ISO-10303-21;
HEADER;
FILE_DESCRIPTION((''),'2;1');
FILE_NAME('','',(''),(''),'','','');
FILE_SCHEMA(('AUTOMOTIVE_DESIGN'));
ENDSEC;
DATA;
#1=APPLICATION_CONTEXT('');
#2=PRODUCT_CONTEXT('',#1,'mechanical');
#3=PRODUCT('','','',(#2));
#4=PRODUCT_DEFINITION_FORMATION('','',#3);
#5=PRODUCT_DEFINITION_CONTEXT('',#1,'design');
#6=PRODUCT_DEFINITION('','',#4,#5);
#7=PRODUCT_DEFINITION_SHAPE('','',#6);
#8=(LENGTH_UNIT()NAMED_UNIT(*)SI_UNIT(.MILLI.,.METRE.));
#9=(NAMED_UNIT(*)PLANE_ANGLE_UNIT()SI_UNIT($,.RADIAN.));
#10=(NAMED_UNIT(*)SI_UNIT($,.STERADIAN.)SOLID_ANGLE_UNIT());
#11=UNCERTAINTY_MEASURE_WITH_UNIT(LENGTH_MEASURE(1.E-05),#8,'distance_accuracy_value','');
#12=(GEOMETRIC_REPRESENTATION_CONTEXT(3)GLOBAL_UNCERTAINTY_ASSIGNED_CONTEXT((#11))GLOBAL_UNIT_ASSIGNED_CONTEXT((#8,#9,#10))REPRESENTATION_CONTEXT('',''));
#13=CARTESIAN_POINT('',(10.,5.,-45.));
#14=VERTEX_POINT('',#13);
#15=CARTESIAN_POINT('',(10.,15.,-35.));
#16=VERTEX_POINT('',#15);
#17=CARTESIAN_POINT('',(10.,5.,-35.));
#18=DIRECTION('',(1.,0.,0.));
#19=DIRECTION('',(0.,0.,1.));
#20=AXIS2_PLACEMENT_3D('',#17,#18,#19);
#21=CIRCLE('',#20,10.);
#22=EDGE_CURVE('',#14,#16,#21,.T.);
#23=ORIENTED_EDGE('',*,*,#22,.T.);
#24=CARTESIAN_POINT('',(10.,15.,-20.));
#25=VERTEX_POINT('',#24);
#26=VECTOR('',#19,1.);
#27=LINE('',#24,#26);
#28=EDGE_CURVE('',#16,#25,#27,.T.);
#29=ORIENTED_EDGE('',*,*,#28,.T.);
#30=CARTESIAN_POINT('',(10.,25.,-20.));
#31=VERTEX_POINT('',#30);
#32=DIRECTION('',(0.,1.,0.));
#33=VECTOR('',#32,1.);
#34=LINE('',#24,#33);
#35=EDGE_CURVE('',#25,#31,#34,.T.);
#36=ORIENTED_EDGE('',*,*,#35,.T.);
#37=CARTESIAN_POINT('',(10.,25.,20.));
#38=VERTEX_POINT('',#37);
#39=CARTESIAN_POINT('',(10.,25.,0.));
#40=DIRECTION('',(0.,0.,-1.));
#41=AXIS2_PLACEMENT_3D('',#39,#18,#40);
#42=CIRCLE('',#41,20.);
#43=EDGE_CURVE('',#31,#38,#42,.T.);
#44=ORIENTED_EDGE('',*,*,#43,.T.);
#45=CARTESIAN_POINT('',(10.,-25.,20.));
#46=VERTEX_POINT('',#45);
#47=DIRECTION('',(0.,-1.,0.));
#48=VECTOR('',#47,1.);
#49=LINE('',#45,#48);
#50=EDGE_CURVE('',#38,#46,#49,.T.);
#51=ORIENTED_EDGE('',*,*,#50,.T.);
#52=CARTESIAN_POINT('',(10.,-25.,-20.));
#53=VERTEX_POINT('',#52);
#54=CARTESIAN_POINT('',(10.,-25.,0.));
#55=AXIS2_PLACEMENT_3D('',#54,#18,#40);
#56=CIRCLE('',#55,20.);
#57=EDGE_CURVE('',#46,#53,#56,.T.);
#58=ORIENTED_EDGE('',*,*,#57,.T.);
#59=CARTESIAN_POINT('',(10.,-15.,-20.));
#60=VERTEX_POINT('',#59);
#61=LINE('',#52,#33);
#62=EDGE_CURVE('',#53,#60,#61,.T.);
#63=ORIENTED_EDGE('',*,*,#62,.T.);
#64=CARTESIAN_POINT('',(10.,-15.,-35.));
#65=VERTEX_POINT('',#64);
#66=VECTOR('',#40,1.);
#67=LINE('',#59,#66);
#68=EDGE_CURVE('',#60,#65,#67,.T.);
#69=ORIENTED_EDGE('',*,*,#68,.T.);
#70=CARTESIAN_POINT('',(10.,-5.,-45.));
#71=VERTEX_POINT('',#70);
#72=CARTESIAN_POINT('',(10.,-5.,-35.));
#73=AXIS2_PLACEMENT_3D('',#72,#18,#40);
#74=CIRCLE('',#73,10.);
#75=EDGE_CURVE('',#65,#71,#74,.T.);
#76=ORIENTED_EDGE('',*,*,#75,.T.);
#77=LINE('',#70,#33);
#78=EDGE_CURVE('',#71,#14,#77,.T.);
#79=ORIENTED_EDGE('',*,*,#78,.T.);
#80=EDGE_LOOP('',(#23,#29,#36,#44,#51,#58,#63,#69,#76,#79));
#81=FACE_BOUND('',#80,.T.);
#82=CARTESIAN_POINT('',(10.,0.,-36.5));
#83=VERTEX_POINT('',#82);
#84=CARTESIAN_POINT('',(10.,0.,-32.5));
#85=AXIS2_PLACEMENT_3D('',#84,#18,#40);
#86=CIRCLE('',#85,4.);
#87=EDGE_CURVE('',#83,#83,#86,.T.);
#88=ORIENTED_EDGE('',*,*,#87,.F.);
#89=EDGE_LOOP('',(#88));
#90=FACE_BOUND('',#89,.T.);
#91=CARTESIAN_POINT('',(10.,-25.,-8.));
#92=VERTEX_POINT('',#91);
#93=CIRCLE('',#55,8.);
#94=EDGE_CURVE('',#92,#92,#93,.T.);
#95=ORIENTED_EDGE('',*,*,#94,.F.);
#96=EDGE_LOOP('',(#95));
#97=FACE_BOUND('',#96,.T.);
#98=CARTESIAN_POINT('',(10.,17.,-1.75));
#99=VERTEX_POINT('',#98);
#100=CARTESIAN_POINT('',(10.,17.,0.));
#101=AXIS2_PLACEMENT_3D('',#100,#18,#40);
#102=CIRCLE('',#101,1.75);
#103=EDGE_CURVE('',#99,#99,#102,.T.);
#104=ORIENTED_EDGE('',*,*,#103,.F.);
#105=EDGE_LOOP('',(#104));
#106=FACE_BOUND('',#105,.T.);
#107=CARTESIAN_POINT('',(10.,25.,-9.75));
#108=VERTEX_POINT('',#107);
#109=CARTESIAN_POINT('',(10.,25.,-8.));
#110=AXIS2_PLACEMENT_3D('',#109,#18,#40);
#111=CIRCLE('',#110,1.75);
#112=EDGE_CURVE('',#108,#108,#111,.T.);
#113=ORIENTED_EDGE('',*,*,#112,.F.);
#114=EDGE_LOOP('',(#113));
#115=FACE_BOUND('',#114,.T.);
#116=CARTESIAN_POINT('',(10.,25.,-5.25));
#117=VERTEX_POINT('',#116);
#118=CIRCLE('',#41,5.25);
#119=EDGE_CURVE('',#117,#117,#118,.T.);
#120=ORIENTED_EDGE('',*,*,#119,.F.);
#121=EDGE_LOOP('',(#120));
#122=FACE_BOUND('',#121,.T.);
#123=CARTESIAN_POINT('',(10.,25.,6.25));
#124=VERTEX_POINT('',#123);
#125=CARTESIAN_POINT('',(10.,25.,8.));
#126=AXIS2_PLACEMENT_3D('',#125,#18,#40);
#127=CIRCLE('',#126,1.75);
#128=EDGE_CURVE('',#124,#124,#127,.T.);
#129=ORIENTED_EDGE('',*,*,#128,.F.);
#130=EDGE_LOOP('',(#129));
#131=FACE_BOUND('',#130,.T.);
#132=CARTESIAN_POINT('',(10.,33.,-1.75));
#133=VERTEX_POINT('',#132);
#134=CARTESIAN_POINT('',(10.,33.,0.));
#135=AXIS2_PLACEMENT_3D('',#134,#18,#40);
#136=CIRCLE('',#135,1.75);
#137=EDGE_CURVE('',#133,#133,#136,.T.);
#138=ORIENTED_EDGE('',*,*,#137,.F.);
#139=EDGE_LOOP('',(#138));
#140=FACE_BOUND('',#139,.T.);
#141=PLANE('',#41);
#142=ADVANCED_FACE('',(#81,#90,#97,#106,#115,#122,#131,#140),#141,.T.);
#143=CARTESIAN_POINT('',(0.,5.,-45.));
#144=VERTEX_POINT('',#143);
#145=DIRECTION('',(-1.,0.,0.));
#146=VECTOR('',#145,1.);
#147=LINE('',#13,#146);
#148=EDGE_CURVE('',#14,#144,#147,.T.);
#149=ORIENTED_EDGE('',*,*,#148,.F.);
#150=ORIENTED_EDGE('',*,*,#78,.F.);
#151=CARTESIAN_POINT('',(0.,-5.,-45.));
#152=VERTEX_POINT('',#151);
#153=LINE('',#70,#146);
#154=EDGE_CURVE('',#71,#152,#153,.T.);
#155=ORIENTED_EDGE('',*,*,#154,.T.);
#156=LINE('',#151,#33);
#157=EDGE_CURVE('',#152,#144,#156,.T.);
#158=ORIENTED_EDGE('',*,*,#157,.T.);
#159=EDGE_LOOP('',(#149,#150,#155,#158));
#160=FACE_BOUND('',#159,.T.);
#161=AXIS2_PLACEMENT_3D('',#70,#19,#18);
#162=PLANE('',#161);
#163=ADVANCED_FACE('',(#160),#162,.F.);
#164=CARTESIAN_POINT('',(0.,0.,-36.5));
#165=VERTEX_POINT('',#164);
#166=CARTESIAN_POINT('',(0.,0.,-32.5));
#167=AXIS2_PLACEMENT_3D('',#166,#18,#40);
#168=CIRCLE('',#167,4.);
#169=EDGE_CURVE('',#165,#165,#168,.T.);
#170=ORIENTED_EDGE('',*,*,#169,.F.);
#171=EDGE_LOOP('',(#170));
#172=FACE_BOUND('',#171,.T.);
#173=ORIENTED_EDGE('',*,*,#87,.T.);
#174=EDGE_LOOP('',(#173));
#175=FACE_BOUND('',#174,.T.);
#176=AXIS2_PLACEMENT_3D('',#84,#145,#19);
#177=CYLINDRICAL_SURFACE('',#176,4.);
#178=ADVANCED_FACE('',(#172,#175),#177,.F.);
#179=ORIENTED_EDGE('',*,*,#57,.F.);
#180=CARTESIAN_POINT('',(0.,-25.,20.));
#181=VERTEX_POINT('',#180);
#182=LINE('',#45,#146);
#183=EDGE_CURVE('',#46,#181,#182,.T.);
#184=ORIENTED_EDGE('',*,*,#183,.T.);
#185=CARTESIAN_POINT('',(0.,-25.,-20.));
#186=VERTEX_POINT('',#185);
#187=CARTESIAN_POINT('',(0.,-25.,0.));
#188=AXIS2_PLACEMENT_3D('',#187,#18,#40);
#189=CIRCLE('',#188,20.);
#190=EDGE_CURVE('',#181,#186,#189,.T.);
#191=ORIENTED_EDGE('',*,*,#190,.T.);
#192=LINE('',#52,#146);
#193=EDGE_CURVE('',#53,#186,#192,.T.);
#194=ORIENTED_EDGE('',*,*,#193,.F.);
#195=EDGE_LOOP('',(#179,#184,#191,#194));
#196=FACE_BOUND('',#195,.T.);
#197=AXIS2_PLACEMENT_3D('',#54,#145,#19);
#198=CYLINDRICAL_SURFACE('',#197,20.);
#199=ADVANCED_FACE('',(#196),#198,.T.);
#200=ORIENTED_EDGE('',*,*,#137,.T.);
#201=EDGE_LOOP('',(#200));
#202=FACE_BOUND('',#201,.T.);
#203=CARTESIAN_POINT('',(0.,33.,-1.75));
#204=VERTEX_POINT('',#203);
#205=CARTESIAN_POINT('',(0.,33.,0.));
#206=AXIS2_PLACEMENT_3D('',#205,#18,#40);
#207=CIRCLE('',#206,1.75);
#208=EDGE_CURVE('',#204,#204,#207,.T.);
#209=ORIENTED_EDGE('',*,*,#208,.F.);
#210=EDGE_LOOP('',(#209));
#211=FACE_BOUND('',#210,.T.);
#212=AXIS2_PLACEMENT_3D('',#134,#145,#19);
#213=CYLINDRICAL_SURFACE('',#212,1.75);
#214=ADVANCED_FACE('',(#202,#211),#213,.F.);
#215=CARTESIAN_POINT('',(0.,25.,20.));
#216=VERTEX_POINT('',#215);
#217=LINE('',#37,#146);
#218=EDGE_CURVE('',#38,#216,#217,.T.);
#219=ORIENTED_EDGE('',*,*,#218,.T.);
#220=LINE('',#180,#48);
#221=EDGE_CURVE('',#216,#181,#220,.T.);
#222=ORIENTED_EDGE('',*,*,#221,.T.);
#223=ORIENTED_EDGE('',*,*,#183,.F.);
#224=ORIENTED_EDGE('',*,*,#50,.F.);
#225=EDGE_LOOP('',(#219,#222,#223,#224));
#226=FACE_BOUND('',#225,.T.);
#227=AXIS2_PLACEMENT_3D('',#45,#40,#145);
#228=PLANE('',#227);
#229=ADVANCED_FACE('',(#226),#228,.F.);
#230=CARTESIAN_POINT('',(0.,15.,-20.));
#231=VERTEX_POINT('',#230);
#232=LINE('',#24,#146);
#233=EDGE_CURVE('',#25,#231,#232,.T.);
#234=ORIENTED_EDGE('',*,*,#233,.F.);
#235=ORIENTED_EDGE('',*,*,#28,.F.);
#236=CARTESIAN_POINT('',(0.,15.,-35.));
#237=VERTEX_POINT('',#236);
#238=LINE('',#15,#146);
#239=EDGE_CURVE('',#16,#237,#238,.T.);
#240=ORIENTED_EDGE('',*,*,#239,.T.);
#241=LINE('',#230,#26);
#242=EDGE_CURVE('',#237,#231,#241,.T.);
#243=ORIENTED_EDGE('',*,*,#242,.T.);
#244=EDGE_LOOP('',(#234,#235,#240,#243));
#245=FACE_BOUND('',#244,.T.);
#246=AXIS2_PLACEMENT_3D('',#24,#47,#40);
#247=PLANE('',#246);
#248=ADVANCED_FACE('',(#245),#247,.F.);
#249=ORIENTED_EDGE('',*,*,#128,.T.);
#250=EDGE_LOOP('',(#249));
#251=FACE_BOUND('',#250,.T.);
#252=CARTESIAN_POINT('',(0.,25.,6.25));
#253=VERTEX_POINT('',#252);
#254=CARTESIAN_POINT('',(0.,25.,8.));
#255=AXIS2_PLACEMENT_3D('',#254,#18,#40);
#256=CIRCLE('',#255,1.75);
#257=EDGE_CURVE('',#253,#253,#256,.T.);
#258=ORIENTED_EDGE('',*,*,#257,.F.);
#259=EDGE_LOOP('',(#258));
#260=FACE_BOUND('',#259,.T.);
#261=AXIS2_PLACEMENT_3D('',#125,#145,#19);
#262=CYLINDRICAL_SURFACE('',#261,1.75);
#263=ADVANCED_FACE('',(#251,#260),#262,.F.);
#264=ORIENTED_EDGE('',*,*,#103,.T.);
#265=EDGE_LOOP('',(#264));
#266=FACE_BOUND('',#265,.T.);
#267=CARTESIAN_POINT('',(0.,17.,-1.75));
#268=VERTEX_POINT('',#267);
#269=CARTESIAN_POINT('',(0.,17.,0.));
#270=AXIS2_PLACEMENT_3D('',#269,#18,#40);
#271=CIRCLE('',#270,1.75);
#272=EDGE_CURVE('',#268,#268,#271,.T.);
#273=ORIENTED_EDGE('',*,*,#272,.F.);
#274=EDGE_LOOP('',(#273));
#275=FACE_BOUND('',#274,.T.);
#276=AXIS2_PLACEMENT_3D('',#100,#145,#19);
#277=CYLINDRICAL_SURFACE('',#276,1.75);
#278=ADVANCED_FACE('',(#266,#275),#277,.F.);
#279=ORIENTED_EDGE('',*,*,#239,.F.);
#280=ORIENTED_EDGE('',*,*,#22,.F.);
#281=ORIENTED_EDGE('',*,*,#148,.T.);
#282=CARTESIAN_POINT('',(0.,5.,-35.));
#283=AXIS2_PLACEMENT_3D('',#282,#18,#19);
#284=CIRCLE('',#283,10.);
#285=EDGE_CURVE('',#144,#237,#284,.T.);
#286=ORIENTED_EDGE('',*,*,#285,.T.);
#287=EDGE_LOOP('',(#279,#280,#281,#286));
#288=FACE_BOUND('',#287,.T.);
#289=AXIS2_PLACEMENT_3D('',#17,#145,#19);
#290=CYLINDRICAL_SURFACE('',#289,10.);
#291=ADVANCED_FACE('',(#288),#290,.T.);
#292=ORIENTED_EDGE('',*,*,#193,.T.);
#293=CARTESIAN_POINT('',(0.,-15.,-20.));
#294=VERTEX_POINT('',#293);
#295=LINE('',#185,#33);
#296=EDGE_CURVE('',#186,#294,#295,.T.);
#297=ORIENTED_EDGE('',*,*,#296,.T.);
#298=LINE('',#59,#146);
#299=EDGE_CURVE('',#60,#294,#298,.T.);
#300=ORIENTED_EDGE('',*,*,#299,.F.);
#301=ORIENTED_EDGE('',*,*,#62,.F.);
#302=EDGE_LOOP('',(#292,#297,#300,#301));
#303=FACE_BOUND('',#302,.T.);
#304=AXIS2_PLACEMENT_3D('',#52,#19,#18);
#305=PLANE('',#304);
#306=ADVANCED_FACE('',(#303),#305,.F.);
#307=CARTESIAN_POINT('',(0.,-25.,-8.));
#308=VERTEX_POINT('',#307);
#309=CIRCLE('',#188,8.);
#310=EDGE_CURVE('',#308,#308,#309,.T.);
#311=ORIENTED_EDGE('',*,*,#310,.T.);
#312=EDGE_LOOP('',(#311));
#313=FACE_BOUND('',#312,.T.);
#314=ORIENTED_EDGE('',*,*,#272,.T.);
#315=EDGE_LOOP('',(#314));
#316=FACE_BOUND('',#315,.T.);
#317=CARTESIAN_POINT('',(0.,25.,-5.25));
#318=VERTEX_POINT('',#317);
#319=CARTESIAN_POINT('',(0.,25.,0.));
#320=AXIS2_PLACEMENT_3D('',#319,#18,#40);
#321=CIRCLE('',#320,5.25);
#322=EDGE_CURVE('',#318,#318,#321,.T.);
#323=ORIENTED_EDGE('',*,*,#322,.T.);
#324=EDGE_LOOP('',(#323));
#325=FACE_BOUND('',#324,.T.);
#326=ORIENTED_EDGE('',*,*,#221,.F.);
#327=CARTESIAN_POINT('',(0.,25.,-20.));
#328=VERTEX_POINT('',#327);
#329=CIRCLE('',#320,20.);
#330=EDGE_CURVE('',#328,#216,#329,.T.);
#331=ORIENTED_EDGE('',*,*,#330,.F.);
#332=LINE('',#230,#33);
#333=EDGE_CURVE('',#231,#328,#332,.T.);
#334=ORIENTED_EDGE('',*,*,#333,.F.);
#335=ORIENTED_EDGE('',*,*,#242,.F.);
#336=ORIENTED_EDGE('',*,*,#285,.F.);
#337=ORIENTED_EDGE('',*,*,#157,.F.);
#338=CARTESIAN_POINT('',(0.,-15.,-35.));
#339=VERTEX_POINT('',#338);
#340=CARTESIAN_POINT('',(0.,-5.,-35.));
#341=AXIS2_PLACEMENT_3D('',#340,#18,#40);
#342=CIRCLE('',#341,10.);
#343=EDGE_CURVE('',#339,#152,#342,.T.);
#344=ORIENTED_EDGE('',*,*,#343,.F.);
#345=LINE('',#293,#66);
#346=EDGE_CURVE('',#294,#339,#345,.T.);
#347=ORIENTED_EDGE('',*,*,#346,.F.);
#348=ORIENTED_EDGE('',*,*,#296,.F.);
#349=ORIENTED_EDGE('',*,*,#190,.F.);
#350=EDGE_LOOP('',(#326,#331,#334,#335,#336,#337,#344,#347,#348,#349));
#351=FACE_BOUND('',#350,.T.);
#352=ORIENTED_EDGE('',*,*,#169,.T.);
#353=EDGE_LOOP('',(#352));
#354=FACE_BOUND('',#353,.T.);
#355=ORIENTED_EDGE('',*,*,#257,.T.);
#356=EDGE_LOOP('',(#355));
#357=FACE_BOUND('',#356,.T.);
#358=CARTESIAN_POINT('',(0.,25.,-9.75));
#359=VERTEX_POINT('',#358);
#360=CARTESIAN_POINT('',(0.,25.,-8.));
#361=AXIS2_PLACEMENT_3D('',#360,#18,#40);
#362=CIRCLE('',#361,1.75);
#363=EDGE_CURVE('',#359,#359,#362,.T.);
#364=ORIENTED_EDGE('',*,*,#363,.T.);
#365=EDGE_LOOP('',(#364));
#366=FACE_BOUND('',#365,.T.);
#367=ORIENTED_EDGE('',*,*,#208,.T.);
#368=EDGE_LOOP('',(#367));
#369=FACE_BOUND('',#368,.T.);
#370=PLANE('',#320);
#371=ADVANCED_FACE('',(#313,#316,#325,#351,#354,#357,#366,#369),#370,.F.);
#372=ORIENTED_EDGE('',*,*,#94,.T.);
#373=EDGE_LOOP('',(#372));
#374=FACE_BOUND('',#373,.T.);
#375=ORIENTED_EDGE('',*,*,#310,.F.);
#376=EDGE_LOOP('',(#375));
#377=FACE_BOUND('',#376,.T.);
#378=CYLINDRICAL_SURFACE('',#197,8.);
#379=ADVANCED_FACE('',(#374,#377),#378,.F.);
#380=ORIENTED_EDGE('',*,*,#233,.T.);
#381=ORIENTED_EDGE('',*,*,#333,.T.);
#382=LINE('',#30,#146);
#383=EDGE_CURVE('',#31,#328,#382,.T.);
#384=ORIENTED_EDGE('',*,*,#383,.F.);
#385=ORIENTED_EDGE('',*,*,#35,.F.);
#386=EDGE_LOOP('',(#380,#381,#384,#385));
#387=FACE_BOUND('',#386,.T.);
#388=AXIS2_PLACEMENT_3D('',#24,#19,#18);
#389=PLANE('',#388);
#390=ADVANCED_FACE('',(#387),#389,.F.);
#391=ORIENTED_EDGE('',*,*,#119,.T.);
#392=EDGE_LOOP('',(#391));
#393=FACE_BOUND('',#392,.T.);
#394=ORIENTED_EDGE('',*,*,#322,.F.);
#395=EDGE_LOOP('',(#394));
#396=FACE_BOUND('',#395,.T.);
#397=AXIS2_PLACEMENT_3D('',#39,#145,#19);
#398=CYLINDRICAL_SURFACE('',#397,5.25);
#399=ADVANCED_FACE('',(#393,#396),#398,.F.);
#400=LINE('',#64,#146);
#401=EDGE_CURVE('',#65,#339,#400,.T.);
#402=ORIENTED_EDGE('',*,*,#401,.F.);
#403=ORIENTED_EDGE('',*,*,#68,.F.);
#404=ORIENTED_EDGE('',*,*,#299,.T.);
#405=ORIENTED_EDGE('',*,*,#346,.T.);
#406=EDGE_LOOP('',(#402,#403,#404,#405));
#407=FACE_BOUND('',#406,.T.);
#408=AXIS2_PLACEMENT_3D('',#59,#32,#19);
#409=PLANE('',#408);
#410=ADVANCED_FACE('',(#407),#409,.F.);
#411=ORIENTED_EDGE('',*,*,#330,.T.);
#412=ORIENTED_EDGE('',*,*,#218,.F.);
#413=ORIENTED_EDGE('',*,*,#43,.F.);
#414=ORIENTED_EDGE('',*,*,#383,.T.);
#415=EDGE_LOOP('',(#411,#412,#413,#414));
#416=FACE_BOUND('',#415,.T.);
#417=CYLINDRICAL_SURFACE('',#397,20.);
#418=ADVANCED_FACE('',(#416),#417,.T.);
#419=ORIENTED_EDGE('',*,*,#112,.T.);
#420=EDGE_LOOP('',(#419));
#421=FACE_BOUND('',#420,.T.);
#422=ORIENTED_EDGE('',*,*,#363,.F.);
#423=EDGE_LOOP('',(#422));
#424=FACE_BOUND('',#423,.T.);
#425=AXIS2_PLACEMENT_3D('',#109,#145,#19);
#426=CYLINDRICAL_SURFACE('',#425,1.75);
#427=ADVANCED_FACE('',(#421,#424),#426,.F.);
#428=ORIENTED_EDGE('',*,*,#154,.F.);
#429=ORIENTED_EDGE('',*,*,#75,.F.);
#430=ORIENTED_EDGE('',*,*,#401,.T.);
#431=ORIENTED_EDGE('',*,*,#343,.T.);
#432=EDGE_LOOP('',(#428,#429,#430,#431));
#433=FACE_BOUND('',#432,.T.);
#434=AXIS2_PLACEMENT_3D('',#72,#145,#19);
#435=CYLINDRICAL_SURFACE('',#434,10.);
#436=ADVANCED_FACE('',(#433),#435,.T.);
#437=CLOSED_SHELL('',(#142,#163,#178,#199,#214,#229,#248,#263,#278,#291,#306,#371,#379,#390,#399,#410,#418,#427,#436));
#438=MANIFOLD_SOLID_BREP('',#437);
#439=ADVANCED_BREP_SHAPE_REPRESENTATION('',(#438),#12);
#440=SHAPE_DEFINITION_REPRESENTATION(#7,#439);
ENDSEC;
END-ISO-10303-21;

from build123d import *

# Parameters (mm, degrees)
CROQUIS1_R              = 5.25
CROQUIS1_R_2            = 8
CROQUIS1_R_3            = 1.75
CROQUIS1_R_4            = 4
SALIENTE_EXTRUIR1_DEPTH = 10


with BuildPart() as part:
    # Croquis1 → Saliente-Extruir1 (new body)
    with BuildSketch(Plane(origin=(0, 0, 0), x_dir=(0, 0, -1), z_dir=(1, 0, 0))):
        with BuildLine():
            Line((20, 15), (20, 25))
            ThreePointArc((20, 25), (0, 45), (-20, 25))
            Line((-20, 25), (-20, -25))
            ThreePointArc((-20, -25), (0, -45), (20, -25))
            Line((20, -25), (20, -15))
            Line((20, -15), (35, -15))
            ThreePointArc((35, -15), (42.071067812, -12.071067812), (45, -5))
            Line((45, -5), (45, 5))
            ThreePointArc((45, 5), (42.071067812, 12.071067812), (35, 15))
            Line((35, 15), (20, 15))
        make_face()
        with Locations((0, 25)):
            Circle(CROQUIS1_R, mode=Mode.SUBTRACT)
        with Locations((0, -25)):
            Circle(CROQUIS1_R_2, mode=Mode.SUBTRACT)
        with Locations((0, 33)):
            Circle(CROQUIS1_R_3, mode=Mode.SUBTRACT)
        with Locations((8, 25)):
            Circle(CROQUIS1_R_3, mode=Mode.SUBTRACT)
        with Locations((0, 17)):
            Circle(CROQUIS1_R_3, mode=Mode.SUBTRACT)
        with Locations((-8, 25)):
            Circle(CROQUIS1_R_3, mode=Mode.SUBTRACT)
        with Locations((32.5, 0)):
            Circle(CROQUIS1_R_4, mode=Mode.SUBTRACT)
    extrude(amount=SALIENTE_EXTRUIR1_DEPTH)


solid = part.part
